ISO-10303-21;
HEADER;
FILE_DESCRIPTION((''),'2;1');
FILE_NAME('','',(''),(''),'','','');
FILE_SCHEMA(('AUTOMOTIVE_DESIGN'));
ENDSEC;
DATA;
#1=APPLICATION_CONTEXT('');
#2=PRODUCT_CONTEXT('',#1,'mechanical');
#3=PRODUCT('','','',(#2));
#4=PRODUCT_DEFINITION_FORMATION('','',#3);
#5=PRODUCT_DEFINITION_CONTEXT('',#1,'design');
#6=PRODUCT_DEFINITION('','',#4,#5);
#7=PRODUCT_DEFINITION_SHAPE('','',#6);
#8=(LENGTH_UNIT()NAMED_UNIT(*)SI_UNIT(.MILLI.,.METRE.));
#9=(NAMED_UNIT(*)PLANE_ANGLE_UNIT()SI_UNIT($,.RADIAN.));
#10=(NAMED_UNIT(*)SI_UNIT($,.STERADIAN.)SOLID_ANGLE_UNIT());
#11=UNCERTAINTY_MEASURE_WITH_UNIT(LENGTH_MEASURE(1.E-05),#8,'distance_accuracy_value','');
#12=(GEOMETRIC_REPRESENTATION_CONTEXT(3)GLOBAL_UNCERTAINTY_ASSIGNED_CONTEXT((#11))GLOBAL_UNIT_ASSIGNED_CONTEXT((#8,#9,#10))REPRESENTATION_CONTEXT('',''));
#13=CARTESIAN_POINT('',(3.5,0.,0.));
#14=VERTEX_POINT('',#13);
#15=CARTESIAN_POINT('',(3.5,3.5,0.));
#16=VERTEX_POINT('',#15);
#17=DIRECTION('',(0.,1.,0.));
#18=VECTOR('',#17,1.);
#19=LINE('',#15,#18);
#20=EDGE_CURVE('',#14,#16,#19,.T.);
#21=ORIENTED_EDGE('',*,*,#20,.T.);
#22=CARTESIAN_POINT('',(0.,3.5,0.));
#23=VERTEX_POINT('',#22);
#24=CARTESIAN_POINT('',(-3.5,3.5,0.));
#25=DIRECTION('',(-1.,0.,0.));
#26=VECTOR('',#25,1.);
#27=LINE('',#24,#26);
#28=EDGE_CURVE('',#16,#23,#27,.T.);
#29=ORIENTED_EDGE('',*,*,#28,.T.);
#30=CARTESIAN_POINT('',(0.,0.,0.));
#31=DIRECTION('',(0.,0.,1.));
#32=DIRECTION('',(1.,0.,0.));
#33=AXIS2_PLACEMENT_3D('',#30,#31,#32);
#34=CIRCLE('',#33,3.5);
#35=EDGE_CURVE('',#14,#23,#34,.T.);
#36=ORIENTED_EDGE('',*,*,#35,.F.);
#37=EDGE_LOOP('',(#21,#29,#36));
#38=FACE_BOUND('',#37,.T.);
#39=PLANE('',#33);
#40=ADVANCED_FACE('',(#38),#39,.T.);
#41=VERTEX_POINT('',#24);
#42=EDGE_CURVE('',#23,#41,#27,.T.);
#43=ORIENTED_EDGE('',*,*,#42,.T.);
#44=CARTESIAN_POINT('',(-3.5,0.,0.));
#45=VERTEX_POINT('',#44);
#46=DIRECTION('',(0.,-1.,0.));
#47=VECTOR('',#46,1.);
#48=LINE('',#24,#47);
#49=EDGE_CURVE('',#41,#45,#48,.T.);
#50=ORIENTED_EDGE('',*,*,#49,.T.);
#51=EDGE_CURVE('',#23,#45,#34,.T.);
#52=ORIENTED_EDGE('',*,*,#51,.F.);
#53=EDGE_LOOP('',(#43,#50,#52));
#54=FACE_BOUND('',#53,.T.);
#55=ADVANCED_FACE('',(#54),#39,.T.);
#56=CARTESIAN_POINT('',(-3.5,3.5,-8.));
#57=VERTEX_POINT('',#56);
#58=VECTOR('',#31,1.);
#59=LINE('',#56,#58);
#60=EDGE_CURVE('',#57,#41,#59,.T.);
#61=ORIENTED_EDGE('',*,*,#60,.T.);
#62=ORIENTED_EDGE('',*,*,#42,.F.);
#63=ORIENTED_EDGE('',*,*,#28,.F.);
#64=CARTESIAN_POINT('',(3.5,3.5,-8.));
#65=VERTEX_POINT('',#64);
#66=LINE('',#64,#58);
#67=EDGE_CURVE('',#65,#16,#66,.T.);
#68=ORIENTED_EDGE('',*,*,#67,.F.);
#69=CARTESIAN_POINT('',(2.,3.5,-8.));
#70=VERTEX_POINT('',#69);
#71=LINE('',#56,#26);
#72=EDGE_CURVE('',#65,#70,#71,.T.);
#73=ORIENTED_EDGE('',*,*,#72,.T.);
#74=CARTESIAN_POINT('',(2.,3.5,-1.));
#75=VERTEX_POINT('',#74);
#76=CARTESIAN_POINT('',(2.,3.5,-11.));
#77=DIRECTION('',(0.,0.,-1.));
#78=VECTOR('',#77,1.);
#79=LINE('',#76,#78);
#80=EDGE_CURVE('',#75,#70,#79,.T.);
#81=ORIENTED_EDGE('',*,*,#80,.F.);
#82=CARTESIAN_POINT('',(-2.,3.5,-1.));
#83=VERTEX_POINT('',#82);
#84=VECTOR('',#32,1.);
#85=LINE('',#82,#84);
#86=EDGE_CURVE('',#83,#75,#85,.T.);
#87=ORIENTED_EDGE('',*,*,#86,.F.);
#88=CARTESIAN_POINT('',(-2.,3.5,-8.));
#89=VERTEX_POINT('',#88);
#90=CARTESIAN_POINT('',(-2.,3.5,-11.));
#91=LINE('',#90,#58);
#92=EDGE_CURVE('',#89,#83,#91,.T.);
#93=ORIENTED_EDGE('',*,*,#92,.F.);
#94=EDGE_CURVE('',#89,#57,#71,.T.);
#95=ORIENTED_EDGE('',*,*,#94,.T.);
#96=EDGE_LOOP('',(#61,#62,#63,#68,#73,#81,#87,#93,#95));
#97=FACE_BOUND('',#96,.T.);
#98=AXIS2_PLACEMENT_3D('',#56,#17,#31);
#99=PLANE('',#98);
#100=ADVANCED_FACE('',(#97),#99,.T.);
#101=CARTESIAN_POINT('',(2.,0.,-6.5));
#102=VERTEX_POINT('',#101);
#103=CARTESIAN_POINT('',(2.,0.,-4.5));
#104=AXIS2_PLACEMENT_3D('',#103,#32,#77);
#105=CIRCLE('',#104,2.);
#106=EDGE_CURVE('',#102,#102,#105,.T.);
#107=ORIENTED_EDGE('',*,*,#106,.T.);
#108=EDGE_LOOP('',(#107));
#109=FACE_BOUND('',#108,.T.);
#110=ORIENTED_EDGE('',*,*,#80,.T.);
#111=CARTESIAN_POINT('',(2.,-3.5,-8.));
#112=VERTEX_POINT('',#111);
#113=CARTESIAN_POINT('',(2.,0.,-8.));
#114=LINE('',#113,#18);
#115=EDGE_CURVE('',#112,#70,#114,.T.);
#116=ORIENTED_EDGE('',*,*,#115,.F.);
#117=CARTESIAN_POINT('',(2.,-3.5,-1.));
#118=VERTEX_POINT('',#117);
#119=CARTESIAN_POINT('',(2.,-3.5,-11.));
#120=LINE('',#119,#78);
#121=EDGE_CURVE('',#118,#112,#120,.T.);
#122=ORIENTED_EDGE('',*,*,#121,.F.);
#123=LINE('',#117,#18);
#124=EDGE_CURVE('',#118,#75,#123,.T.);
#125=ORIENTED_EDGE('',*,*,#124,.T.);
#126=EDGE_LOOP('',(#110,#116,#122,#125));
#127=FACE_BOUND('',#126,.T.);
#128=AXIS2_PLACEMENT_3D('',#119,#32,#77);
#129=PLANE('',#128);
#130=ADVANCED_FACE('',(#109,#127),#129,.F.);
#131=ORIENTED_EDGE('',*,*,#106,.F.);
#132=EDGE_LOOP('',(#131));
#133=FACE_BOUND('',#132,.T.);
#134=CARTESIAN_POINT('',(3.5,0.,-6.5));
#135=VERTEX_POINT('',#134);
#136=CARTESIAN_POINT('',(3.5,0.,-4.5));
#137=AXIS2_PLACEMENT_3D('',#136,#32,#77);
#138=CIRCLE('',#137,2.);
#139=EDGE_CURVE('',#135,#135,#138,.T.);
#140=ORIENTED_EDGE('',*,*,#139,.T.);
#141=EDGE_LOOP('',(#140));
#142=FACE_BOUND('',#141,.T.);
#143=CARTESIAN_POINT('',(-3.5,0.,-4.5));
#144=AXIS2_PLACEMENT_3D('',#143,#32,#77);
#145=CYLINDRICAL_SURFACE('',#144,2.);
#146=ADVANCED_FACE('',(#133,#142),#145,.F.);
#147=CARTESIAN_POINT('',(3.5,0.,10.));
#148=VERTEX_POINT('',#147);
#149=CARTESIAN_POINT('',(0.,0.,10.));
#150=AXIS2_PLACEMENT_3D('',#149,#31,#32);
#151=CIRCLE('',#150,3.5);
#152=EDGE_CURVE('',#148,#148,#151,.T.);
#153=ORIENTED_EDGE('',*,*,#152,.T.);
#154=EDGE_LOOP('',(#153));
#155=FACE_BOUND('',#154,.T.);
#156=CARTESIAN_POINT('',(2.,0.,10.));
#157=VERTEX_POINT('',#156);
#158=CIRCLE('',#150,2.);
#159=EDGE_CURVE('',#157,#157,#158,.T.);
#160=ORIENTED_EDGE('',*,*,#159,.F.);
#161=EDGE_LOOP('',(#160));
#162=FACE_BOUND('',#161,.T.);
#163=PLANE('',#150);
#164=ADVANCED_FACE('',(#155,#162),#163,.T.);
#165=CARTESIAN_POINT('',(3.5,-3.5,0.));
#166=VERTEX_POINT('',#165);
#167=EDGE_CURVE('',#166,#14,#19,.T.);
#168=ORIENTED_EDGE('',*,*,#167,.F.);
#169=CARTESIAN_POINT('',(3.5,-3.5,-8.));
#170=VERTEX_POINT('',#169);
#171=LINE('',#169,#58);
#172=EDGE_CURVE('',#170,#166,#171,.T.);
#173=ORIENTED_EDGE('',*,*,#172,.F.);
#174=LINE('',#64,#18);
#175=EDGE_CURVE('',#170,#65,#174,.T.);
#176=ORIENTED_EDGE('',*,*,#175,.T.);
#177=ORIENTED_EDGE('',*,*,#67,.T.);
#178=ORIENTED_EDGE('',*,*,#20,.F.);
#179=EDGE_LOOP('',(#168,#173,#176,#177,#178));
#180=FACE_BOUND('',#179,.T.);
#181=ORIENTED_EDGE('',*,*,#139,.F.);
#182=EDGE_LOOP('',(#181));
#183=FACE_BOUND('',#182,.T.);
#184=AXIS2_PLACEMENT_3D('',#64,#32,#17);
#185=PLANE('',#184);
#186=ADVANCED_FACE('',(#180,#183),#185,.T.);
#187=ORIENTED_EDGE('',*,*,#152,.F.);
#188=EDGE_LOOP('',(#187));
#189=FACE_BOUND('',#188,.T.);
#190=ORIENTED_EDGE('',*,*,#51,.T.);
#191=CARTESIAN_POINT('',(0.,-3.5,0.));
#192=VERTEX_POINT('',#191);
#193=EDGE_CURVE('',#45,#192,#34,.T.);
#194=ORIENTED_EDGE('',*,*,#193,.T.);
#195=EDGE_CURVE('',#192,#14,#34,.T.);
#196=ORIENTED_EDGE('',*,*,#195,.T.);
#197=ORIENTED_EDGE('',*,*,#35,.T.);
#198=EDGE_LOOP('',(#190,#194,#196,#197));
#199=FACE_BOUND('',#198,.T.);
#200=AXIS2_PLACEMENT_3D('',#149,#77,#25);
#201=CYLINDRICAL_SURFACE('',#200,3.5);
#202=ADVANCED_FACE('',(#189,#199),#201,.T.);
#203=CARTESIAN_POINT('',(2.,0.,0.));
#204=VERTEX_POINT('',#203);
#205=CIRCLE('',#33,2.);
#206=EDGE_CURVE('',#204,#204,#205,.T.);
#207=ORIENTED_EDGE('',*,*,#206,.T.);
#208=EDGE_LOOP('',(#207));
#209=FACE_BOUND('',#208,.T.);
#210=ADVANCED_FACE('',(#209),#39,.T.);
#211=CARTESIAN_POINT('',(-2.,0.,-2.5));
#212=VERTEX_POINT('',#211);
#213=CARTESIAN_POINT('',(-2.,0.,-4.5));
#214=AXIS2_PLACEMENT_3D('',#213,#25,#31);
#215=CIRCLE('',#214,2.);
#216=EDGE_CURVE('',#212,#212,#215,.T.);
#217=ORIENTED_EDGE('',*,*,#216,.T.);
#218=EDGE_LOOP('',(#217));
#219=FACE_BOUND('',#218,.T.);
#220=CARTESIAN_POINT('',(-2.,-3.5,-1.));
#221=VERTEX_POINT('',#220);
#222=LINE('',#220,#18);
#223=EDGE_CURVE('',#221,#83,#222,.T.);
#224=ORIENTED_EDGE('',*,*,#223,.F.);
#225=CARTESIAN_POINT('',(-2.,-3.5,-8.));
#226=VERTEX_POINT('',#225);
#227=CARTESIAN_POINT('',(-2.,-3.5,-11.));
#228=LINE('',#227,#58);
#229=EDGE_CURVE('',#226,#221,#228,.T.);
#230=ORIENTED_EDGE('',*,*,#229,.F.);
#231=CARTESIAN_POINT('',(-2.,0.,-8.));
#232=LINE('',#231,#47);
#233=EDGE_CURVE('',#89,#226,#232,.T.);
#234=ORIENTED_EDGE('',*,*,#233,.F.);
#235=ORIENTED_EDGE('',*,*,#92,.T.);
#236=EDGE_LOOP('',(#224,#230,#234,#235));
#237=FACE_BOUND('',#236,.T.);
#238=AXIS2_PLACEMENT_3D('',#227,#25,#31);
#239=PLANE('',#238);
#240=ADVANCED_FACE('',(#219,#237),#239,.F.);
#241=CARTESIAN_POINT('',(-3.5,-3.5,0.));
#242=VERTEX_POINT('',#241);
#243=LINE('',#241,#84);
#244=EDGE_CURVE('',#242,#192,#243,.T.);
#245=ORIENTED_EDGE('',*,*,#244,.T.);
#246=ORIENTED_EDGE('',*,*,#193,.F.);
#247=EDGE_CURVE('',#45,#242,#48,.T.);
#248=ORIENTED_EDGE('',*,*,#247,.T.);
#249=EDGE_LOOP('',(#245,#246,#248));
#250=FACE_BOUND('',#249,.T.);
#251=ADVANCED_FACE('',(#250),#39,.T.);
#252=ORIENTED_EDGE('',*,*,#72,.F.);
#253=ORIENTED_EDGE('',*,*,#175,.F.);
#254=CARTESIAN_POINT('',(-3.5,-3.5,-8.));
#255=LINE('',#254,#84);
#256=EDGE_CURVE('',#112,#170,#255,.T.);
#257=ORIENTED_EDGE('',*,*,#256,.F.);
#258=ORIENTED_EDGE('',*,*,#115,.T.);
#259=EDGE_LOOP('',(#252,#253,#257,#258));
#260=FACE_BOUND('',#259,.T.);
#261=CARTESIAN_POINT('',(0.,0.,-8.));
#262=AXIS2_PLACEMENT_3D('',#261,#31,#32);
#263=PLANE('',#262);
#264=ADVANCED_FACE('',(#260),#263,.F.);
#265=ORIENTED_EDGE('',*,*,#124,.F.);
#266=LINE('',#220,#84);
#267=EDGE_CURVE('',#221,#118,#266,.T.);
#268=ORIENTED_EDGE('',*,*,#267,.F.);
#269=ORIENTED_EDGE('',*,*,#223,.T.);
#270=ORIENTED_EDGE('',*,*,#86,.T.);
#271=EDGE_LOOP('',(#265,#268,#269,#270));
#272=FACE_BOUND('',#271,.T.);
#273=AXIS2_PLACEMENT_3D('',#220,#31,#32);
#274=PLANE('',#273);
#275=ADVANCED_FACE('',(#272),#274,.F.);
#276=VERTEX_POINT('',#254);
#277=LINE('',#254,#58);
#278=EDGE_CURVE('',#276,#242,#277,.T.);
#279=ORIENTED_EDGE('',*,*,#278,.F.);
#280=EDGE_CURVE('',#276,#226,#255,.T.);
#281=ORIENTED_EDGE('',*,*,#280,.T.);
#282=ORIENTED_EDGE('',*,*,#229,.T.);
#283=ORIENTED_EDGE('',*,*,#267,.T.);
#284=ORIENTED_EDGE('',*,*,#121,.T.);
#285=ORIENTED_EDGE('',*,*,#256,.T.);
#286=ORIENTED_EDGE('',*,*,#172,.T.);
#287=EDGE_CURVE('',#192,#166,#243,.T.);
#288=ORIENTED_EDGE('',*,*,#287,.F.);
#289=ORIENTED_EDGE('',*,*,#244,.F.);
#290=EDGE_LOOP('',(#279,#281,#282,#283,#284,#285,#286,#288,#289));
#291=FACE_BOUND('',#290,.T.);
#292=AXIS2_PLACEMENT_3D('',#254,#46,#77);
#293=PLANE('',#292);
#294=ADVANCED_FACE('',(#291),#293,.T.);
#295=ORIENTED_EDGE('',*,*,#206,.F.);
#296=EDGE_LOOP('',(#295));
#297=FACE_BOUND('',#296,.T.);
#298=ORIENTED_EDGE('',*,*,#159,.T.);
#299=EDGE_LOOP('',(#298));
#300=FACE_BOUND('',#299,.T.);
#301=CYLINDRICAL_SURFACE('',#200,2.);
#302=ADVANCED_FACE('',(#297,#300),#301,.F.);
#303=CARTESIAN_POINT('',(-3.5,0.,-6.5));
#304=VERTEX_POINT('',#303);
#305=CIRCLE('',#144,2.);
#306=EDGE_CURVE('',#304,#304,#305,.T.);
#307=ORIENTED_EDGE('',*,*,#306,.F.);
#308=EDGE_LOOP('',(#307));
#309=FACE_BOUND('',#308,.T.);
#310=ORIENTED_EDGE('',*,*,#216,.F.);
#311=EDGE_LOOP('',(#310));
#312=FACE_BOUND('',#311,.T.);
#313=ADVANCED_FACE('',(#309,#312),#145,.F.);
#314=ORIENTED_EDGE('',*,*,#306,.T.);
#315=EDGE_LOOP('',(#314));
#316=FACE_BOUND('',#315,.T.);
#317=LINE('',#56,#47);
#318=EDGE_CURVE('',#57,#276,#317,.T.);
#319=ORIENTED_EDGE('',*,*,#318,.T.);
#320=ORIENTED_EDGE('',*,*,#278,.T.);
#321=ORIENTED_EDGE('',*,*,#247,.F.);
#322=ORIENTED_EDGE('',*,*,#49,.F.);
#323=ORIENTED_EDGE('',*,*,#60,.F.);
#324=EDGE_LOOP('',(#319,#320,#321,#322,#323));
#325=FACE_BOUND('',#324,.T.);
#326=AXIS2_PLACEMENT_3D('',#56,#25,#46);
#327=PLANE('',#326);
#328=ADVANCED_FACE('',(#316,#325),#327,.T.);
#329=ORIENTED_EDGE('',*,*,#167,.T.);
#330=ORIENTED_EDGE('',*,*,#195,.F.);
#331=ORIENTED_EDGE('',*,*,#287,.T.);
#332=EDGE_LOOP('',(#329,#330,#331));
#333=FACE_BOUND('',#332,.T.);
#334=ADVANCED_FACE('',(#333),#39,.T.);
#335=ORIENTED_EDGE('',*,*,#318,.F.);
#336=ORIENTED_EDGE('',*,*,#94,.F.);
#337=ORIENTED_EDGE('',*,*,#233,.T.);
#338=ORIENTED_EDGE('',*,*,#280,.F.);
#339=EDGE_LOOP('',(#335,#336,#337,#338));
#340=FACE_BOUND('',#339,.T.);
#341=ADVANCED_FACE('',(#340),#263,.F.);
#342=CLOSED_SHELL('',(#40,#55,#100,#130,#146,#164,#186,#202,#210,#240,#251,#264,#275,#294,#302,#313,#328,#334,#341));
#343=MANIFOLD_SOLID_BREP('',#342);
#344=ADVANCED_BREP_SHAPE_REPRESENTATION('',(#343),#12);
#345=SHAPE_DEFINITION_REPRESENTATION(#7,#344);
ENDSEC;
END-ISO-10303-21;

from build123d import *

# Parameters (mm, degrees)
SKETCH1_R               = 3.5
SKETCH1_R_2             = 2
BOSS_EXTRUDE1_DEPTH     = 10
SKETCH2_W               = 7
SKETCH2_H               = 7
BOSS_EXTRUDE2_DEPTH     = 8
SKETCH3_W               = 4
SKETCH3_H               = 10
CUT_EXTRUDE1_DEPTH      = 4.5
CUT_EXTRUDE1_DEPTH_BACK = 4.5
SKETCH4_R               = 2
CUT_EXTRUDE2_DEPTH      = 4.5
CUT_EXTRUDE2_DEPTH_BACK = 4.5


with BuildPart() as part:
    # Sketch1 → Boss-Extrude1 (new body)
    with BuildSketch(Plane.XY):
        Circle(SKETCH1_R)
        Circle(SKETCH1_R_2, mode=Mode.SUBTRACT)
    extrude(amount=BOSS_EXTRUDE1_DEPTH)

    # Sketch2 → Boss-Extrude2 (add)
    with BuildSketch(Plane.XY):
        Rectangle(SKETCH2_W, SKETCH2_H)
    extrude(amount=-BOSS_EXTRUDE2_DEPTH)

    # Sketch3 → Cut-Extrude1 (cut, two sides)
    with BuildSketch(Plane(origin=(0, 0, 0), x_dir=(1, 0, 0), z_dir=(0, 1, 0))) as cut_extrude1_sk:
        with Locations((0, 6)):
            Rectangle(SKETCH3_W, SKETCH3_H)
    extrude(amount=CUT_EXTRUDE1_DEPTH, mode=Mode.SUBTRACT)
    extrude(cut_extrude1_sk.sketch, amount=-CUT_EXTRUDE1_DEPTH_BACK, mode=Mode.SUBTRACT)

    # Sketch4 → Cut-Extrude2 (cut, two sides)
    with BuildSketch(Plane(origin=(0, 0, 0), x_dir=(0, 0, -1), z_dir=(1, 0, 0))) as cut_extrude2_sk:
        with Locations((4.5, 0)):
            Circle(SKETCH4_R)
    extrude(amount=CUT_EXTRUDE2_DEPTH, mode=Mode.SUBTRACT)
    extrude(cut_extrude2_sk.sketch, amount=-CUT_EXTRUDE2_DEPTH_BACK, mode=Mode.SUBTRACT)


solid = part.part
